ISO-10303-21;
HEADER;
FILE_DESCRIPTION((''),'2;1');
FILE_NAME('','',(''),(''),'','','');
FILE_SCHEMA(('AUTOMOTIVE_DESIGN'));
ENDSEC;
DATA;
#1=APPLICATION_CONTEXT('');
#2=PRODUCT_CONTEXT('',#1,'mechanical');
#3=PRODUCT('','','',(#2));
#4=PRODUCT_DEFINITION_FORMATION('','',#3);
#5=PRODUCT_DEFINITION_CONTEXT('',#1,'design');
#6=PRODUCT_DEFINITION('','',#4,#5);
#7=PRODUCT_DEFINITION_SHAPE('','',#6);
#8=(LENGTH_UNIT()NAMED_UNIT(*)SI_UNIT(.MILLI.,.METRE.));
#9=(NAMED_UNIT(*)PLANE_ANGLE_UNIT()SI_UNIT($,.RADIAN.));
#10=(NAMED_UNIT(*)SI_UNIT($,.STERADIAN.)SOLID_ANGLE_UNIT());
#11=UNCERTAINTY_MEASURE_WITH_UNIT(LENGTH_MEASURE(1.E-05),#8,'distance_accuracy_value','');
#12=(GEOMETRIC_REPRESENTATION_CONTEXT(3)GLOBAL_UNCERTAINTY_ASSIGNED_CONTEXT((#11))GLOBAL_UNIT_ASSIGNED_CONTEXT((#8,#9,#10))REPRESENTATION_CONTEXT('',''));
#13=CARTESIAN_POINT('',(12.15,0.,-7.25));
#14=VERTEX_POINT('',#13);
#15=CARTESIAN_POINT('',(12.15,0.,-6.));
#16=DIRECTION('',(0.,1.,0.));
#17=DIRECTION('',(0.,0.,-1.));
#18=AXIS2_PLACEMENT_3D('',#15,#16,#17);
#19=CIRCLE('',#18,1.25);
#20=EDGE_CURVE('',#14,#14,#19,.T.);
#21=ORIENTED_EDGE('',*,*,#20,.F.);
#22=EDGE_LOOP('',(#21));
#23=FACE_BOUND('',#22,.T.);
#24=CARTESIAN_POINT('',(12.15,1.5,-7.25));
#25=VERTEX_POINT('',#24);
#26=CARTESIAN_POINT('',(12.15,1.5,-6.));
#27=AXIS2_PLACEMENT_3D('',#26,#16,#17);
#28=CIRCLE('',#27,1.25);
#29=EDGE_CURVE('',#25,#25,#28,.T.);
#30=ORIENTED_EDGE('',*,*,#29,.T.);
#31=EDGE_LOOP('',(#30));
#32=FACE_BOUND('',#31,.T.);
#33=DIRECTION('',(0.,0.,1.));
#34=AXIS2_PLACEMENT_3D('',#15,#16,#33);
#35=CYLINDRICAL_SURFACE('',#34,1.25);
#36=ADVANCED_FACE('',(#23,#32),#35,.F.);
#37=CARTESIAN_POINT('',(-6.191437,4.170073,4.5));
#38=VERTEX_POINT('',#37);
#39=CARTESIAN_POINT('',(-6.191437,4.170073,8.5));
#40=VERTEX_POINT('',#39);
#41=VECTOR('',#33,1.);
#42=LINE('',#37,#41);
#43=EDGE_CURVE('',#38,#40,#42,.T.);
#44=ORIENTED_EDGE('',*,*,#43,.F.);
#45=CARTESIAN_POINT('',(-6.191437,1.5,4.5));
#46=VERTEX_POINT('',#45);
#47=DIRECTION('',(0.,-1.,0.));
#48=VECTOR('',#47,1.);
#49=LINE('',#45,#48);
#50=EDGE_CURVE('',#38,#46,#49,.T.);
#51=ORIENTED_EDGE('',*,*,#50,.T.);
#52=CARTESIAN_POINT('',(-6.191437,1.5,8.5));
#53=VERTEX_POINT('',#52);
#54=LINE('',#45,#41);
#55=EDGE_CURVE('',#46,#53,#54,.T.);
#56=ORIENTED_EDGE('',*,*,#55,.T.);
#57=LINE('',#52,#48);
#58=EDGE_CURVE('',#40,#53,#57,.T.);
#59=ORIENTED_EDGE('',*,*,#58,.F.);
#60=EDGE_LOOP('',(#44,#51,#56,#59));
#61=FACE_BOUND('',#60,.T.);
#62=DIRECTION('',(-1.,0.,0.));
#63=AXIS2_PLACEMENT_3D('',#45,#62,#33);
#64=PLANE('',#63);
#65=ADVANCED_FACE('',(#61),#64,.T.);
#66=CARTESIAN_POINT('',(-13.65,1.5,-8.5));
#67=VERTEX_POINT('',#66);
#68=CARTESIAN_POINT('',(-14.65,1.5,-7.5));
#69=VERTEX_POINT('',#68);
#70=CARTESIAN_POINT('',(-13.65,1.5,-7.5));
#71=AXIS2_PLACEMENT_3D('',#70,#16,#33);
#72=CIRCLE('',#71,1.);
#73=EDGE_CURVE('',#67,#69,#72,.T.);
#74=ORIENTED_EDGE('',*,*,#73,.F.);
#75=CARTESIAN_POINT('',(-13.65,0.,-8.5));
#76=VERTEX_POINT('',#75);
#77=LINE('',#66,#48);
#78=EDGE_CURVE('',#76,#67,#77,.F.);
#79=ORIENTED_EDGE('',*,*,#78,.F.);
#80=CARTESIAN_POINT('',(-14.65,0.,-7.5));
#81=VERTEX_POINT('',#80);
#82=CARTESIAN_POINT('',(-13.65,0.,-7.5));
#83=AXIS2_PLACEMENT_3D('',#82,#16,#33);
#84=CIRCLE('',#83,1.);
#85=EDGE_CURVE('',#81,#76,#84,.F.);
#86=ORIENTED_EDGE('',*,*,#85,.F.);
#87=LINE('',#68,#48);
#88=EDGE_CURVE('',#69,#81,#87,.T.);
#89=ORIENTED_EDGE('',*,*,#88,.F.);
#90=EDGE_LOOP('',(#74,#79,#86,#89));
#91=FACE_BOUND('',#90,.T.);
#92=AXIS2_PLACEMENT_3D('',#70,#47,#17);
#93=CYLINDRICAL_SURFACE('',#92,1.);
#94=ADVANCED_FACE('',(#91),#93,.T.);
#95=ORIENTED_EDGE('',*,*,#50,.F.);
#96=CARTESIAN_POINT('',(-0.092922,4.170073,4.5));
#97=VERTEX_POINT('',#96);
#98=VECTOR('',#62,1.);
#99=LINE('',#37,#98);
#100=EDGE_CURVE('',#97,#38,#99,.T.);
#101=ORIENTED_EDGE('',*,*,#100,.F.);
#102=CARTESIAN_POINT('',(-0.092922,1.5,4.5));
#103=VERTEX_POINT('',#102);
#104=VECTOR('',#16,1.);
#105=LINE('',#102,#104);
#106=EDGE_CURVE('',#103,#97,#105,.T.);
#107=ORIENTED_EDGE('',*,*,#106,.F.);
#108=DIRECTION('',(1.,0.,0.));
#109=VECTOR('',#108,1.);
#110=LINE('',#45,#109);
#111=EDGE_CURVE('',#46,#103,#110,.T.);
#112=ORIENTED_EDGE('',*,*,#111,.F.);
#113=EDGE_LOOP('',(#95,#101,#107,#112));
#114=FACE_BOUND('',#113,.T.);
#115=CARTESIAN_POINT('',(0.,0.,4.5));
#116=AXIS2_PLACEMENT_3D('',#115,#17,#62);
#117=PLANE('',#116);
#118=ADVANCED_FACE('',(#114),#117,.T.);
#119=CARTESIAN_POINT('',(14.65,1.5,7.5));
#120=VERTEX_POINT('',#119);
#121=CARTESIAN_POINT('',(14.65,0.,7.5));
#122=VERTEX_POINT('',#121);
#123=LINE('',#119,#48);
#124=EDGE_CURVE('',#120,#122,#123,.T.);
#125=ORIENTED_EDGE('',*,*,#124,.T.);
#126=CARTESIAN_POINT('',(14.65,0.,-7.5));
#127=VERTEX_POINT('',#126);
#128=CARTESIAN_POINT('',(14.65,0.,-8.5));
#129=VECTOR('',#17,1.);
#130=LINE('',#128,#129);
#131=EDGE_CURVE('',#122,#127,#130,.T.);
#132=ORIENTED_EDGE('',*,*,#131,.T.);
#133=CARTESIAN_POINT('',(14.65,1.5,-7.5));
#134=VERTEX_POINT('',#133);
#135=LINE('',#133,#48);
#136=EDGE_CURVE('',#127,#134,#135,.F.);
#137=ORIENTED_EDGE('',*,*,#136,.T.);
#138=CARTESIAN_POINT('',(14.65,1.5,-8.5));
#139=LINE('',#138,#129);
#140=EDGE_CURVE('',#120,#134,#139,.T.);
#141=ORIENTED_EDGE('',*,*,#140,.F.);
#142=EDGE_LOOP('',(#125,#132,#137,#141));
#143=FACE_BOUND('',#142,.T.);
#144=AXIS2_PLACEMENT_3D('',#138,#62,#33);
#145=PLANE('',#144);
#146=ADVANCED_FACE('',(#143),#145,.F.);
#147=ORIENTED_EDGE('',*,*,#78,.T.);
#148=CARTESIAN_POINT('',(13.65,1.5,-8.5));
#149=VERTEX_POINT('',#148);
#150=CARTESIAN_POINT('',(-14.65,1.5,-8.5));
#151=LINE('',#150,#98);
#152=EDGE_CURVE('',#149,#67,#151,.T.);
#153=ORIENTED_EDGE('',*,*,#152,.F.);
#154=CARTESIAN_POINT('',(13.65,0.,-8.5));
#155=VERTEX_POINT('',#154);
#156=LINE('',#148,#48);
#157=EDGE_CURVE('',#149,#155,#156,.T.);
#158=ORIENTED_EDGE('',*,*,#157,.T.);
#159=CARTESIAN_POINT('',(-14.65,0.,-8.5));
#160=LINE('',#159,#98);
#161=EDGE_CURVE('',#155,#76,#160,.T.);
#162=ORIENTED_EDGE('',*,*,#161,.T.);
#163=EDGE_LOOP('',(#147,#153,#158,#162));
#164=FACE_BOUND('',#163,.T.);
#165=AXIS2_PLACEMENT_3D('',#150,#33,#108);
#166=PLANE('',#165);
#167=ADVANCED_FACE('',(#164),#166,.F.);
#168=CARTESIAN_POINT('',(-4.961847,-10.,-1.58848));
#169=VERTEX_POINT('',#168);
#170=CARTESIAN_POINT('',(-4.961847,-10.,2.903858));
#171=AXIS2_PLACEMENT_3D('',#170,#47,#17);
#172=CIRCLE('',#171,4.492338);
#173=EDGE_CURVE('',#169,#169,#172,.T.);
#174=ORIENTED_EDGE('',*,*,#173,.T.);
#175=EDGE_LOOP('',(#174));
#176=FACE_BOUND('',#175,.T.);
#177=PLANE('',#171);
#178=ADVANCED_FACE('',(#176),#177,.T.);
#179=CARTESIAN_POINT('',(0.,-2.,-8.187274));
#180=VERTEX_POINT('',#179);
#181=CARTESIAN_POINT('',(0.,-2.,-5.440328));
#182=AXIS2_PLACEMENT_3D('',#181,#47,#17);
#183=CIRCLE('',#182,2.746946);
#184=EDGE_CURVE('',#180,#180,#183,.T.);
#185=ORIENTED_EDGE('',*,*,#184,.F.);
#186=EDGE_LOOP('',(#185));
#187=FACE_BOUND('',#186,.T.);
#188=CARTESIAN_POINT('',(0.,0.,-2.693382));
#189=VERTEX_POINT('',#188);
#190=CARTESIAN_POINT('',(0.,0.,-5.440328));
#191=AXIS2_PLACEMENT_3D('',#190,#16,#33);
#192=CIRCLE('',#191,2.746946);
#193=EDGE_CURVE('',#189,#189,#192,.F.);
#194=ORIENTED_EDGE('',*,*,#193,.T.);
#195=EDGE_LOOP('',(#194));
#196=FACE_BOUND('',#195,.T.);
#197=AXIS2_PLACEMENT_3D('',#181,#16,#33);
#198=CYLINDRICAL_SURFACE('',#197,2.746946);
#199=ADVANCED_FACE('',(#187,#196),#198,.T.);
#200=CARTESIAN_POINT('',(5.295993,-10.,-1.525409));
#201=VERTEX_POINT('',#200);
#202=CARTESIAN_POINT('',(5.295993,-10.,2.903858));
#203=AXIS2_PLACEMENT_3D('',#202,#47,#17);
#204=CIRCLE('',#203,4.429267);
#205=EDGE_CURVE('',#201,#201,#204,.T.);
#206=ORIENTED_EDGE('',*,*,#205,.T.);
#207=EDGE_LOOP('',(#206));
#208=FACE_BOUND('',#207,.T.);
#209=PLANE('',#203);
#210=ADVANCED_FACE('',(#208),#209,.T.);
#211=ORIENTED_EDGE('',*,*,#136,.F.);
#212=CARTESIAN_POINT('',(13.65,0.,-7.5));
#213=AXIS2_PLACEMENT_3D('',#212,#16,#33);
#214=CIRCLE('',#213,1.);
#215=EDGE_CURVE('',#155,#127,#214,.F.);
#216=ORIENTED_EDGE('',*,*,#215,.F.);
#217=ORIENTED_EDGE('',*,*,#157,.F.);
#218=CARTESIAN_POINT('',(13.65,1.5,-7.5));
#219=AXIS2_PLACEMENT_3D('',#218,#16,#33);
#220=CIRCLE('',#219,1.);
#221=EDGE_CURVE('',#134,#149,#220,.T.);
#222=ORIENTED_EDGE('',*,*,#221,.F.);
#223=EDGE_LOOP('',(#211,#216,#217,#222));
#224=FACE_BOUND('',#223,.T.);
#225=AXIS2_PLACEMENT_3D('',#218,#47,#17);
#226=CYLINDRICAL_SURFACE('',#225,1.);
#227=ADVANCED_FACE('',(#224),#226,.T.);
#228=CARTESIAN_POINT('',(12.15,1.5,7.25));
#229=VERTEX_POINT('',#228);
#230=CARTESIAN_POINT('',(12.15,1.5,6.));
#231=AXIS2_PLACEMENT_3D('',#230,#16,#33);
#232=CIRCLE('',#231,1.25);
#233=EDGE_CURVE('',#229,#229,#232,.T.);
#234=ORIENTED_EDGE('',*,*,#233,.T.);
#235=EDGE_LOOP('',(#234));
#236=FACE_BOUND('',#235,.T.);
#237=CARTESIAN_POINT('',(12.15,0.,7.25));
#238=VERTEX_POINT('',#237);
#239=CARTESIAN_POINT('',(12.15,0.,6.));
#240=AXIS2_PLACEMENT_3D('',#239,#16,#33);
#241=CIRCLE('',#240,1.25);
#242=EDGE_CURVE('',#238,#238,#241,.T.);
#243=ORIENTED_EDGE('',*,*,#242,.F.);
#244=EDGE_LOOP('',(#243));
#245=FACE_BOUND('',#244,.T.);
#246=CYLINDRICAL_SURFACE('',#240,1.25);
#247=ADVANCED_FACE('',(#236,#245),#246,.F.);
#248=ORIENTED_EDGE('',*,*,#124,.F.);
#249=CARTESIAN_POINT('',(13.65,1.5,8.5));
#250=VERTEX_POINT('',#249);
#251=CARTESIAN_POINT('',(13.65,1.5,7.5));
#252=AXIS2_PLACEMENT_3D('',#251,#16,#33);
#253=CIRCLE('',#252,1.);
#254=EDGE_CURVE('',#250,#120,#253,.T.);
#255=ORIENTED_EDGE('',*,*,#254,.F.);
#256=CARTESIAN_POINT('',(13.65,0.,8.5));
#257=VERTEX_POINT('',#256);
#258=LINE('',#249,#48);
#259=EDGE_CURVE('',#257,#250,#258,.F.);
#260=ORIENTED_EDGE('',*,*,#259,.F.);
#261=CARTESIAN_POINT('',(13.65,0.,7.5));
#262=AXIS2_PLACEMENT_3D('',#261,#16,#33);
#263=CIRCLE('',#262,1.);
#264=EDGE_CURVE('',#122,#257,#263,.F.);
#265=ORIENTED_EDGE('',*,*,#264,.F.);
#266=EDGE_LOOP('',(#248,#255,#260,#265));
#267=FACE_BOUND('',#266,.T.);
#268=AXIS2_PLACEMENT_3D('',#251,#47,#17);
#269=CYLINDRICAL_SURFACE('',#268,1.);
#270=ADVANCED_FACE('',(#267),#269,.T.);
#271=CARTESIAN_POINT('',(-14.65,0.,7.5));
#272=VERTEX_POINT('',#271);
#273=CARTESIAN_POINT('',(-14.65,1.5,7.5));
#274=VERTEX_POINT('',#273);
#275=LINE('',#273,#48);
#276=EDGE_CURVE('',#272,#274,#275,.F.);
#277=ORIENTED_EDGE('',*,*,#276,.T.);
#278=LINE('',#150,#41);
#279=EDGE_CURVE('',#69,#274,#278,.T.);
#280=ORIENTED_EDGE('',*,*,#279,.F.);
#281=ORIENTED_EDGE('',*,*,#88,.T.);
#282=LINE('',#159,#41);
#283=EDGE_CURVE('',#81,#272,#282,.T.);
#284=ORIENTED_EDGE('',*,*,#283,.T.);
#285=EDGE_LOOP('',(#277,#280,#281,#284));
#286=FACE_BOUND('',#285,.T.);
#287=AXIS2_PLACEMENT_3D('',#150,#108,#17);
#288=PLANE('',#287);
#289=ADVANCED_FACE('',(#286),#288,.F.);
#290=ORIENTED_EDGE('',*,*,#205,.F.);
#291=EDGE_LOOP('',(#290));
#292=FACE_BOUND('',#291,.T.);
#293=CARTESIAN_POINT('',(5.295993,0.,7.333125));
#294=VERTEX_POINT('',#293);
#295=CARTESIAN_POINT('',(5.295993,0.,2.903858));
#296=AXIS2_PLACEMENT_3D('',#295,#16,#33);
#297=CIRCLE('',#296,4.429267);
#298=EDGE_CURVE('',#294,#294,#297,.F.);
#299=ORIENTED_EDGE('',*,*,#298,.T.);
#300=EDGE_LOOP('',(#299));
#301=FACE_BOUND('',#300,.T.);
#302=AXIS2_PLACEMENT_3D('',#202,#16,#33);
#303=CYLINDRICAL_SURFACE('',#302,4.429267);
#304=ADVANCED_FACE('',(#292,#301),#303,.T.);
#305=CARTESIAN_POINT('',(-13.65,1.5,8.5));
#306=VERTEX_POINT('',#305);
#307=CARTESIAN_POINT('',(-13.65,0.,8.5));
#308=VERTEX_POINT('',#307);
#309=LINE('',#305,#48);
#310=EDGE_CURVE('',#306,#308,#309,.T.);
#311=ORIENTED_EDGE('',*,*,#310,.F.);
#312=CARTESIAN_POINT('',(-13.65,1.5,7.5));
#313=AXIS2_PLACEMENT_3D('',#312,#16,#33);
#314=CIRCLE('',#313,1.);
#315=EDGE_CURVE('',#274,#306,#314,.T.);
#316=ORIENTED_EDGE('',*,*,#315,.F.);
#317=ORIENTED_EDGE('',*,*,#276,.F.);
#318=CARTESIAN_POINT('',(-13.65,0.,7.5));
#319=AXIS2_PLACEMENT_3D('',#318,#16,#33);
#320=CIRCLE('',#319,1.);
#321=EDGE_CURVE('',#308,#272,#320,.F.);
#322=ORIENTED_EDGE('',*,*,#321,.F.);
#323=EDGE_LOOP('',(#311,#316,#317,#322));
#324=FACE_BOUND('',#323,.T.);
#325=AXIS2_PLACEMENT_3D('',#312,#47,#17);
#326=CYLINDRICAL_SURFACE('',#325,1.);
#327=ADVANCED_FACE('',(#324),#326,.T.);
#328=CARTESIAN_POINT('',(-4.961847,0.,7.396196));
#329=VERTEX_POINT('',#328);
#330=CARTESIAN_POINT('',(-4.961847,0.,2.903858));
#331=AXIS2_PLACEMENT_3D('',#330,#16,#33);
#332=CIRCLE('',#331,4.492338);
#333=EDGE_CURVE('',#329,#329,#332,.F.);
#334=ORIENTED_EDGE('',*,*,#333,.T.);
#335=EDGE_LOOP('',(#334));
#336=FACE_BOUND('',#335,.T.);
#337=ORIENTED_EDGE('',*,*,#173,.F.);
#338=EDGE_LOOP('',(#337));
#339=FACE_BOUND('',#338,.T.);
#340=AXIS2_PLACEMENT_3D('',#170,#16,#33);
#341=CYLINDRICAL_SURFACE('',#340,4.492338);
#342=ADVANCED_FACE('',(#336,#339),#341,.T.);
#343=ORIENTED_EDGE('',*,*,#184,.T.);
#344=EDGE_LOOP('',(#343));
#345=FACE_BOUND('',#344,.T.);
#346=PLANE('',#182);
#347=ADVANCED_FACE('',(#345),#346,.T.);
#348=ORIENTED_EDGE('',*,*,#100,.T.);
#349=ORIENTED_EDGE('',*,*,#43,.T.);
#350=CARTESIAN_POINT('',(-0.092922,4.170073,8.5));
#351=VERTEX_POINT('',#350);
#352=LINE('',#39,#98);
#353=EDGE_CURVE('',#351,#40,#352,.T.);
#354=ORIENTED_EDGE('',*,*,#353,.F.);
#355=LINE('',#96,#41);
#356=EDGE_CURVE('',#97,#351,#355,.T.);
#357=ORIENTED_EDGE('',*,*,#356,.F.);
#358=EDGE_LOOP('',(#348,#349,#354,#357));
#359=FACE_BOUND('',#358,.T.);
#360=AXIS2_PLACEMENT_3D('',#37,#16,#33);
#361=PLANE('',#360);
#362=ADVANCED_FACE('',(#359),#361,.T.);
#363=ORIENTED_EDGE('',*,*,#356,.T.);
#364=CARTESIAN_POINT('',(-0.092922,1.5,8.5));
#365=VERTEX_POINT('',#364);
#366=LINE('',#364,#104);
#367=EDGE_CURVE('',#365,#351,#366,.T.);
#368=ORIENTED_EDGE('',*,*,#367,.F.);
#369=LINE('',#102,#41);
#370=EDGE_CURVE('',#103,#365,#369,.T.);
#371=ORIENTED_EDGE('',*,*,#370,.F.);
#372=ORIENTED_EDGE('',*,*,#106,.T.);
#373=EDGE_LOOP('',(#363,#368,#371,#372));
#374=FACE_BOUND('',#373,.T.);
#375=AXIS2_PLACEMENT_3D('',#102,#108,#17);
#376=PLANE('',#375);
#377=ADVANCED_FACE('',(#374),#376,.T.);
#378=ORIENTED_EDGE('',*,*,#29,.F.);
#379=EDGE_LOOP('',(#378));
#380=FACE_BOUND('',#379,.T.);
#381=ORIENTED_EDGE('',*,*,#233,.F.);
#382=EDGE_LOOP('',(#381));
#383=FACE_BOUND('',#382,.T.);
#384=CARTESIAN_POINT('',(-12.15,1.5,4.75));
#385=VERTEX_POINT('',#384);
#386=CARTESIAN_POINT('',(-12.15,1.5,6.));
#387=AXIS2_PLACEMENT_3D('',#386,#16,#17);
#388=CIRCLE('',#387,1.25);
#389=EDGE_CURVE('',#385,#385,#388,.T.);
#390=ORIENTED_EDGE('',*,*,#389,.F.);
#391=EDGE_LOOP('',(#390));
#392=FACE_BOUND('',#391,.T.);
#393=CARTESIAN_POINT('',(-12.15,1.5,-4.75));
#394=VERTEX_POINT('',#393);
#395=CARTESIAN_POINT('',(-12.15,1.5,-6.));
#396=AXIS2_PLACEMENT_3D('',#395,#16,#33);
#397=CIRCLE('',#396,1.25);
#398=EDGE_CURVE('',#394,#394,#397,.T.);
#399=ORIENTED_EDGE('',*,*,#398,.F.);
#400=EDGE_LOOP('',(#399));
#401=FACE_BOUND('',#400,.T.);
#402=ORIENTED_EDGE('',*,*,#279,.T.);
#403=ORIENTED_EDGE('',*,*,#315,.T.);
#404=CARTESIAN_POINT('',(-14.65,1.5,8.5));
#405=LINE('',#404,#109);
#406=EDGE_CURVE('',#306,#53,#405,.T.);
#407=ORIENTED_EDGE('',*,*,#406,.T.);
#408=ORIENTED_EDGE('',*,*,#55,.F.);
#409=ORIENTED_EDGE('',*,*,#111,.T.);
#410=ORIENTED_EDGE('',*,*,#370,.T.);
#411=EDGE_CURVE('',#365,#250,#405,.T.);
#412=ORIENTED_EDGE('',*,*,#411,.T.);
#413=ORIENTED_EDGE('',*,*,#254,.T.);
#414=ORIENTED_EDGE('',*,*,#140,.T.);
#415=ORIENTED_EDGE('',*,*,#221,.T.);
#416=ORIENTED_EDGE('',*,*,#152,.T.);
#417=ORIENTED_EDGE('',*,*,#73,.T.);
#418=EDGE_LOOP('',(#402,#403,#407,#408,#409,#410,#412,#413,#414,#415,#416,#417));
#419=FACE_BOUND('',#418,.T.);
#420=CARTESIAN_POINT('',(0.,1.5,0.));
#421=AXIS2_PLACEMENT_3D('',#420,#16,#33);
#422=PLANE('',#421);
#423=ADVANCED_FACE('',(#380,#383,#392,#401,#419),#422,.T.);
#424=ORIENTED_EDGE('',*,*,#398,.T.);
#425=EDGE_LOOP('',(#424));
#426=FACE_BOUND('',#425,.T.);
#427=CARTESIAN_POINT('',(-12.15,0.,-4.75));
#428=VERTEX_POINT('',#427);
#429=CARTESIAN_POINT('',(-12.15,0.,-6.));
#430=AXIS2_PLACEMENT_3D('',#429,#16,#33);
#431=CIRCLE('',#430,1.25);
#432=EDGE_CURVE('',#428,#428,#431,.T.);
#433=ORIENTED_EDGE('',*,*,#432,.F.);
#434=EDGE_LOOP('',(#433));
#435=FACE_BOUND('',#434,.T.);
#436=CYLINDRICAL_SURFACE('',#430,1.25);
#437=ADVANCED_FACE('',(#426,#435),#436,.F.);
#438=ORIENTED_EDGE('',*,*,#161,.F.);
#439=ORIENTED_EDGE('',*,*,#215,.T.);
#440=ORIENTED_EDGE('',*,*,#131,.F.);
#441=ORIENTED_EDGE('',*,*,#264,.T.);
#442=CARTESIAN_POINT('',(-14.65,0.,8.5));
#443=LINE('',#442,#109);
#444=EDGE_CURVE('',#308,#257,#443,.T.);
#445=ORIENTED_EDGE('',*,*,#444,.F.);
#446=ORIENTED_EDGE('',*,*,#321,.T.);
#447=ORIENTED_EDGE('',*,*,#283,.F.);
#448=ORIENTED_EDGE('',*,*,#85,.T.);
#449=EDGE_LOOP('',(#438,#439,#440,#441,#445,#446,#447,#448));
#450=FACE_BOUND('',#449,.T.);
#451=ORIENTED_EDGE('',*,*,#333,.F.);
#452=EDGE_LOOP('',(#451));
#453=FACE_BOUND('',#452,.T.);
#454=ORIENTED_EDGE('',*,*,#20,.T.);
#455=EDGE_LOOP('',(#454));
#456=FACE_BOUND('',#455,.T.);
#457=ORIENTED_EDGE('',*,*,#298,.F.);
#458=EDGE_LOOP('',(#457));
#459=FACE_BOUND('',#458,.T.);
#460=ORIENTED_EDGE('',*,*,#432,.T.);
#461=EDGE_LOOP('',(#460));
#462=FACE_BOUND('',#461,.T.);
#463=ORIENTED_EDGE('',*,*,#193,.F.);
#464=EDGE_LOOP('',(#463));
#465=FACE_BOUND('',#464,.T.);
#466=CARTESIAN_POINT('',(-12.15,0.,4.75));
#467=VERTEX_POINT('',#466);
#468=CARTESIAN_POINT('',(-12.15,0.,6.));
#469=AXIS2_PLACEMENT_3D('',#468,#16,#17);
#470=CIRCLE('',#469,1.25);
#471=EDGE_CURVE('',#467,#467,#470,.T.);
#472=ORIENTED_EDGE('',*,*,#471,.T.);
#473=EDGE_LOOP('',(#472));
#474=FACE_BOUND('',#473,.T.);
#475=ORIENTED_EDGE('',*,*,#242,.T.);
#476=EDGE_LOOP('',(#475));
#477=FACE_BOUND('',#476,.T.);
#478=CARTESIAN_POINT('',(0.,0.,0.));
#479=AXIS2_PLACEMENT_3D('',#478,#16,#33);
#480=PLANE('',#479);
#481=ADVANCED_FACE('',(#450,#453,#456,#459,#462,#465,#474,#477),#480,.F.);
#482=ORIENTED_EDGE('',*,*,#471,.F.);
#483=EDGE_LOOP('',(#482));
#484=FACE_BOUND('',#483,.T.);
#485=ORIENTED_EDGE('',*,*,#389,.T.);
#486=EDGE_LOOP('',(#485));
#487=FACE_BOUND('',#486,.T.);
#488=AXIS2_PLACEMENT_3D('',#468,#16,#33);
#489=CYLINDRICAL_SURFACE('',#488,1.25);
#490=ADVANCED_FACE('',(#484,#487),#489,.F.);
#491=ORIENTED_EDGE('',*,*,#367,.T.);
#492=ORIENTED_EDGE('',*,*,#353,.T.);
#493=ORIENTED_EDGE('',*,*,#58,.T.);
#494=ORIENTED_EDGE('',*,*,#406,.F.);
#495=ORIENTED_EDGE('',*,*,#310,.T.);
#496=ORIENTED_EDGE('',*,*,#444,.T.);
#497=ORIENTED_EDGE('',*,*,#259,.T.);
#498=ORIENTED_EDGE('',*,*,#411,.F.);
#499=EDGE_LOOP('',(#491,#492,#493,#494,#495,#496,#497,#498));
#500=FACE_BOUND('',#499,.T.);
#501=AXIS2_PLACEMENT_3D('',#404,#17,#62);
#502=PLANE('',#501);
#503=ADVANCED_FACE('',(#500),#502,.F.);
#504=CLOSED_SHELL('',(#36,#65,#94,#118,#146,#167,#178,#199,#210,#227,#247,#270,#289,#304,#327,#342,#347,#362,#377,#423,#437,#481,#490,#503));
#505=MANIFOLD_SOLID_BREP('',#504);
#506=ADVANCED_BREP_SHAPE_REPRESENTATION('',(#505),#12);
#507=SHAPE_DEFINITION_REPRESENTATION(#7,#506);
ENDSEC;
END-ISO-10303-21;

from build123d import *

# Parameters (mm, degrees)
SKETCH_1_W          = 29.3
SKETCH_1_H          = 17
EXTRUDE_1_DEPTH     = 1.5
SKETCH_2_R          = 1.25
CUT_EXTRUDE_1_DEPTH = 18.003602559
SKETCH_4_W          = 6.098514982
SKETCH_4_H          = 2.670072728
EXTRUDE_2_DEPTH     = 4
SKETCH_5_R          = 4.492338227
SKETCH_5_R_2        = 4.429267197
EXTRUDE_3_DEPTH     = 10
SKETCH_6_R          = 2.746946082
EXTRUDE_4_DEPTH     = 2
FILLET_1_R          = 1


with BuildPart() as part:
    # 草图1 → 凸台-拉伸1 (new body)
    with BuildSketch(Plane(origin=(0, 0, 0), x_dir=(1, 0, 0), z_dir=(0, 1, 0))):
        Rectangle(SKETCH_1_W, SKETCH_1_H)
    extrude(amount=EXTRUDE_1_DEPTH)

    # 草图2 → 切除-拉伸1 (cut, through all)
    with BuildSketch(Plane(origin=(0, 1.5, 0), x_dir=(1, 0, 0), z_dir=(0, 1, 0))):
        with Locations(Location((-12.15, 6, 0), (0, 0, 270))):
            Circle(SKETCH_2_R)
        with Locations(Location((12.15, 6, 0), (0, 0, 90))):
            Circle(SKETCH_2_R)
        with Locations(Location((12.15, -6, 0), (0, 0, 270))):
            Circle(SKETCH_2_R)
        with Locations(Location((-12.15, -6, 0), (0, 0, 90))):
            Circle(SKETCH_2_R)
    extrude(amount=-CUT_EXTRUDE_1_DEPTH, mode=Mode.SUBTRACT)

    # 草图4 → 凸台-拉伸2 (add)
    with BuildSketch(Plane.XY.offset(8.5)):
        with Locations((-3.14217972, 2.835036364)):
            Rectangle(SKETCH_4_W, SKETCH_4_H)
    extrude(amount=-EXTRUDE_2_DEPTH)

    # 草图5 → 凸台-拉伸3 (add)
    with BuildSketch(Plane.XZ):
        with Locations(Location((-4.961846609, 2.903857851, 0), (0, 0, 90))):
            Circle(SKETCH_5_R)
        with Locations(Location((5.295992796, 2.903857851, 0), (0, 0, 90))):
            Circle(SKETCH_5_R_2)
    extrude(amount=EXTRUDE_3_DEPTH)

    # 草图6 → 凸台-拉伸4 (add)
    with BuildSketch(Plane.XZ):
        with Locations(Location((0, -5.440327707, 0), (0, 0, 90))):
            Circle(SKETCH_6_R)
    extrude(amount=EXTRUDE_4_DEPTH)

    # 圆角1
    fillet_1_edges = [part.edges().sort_by_distance(p)[0] for p in [
        (14.65, 0.75, 8.5),
        (-14.65, 0.75, 8.5),
        (-14.65, 0.75, -8.5),
        (14.65, 0.75, -8.5),
    ]]
    fillet(fillet_1_edges, radius=FILLET_1_R)


solid = part.part
